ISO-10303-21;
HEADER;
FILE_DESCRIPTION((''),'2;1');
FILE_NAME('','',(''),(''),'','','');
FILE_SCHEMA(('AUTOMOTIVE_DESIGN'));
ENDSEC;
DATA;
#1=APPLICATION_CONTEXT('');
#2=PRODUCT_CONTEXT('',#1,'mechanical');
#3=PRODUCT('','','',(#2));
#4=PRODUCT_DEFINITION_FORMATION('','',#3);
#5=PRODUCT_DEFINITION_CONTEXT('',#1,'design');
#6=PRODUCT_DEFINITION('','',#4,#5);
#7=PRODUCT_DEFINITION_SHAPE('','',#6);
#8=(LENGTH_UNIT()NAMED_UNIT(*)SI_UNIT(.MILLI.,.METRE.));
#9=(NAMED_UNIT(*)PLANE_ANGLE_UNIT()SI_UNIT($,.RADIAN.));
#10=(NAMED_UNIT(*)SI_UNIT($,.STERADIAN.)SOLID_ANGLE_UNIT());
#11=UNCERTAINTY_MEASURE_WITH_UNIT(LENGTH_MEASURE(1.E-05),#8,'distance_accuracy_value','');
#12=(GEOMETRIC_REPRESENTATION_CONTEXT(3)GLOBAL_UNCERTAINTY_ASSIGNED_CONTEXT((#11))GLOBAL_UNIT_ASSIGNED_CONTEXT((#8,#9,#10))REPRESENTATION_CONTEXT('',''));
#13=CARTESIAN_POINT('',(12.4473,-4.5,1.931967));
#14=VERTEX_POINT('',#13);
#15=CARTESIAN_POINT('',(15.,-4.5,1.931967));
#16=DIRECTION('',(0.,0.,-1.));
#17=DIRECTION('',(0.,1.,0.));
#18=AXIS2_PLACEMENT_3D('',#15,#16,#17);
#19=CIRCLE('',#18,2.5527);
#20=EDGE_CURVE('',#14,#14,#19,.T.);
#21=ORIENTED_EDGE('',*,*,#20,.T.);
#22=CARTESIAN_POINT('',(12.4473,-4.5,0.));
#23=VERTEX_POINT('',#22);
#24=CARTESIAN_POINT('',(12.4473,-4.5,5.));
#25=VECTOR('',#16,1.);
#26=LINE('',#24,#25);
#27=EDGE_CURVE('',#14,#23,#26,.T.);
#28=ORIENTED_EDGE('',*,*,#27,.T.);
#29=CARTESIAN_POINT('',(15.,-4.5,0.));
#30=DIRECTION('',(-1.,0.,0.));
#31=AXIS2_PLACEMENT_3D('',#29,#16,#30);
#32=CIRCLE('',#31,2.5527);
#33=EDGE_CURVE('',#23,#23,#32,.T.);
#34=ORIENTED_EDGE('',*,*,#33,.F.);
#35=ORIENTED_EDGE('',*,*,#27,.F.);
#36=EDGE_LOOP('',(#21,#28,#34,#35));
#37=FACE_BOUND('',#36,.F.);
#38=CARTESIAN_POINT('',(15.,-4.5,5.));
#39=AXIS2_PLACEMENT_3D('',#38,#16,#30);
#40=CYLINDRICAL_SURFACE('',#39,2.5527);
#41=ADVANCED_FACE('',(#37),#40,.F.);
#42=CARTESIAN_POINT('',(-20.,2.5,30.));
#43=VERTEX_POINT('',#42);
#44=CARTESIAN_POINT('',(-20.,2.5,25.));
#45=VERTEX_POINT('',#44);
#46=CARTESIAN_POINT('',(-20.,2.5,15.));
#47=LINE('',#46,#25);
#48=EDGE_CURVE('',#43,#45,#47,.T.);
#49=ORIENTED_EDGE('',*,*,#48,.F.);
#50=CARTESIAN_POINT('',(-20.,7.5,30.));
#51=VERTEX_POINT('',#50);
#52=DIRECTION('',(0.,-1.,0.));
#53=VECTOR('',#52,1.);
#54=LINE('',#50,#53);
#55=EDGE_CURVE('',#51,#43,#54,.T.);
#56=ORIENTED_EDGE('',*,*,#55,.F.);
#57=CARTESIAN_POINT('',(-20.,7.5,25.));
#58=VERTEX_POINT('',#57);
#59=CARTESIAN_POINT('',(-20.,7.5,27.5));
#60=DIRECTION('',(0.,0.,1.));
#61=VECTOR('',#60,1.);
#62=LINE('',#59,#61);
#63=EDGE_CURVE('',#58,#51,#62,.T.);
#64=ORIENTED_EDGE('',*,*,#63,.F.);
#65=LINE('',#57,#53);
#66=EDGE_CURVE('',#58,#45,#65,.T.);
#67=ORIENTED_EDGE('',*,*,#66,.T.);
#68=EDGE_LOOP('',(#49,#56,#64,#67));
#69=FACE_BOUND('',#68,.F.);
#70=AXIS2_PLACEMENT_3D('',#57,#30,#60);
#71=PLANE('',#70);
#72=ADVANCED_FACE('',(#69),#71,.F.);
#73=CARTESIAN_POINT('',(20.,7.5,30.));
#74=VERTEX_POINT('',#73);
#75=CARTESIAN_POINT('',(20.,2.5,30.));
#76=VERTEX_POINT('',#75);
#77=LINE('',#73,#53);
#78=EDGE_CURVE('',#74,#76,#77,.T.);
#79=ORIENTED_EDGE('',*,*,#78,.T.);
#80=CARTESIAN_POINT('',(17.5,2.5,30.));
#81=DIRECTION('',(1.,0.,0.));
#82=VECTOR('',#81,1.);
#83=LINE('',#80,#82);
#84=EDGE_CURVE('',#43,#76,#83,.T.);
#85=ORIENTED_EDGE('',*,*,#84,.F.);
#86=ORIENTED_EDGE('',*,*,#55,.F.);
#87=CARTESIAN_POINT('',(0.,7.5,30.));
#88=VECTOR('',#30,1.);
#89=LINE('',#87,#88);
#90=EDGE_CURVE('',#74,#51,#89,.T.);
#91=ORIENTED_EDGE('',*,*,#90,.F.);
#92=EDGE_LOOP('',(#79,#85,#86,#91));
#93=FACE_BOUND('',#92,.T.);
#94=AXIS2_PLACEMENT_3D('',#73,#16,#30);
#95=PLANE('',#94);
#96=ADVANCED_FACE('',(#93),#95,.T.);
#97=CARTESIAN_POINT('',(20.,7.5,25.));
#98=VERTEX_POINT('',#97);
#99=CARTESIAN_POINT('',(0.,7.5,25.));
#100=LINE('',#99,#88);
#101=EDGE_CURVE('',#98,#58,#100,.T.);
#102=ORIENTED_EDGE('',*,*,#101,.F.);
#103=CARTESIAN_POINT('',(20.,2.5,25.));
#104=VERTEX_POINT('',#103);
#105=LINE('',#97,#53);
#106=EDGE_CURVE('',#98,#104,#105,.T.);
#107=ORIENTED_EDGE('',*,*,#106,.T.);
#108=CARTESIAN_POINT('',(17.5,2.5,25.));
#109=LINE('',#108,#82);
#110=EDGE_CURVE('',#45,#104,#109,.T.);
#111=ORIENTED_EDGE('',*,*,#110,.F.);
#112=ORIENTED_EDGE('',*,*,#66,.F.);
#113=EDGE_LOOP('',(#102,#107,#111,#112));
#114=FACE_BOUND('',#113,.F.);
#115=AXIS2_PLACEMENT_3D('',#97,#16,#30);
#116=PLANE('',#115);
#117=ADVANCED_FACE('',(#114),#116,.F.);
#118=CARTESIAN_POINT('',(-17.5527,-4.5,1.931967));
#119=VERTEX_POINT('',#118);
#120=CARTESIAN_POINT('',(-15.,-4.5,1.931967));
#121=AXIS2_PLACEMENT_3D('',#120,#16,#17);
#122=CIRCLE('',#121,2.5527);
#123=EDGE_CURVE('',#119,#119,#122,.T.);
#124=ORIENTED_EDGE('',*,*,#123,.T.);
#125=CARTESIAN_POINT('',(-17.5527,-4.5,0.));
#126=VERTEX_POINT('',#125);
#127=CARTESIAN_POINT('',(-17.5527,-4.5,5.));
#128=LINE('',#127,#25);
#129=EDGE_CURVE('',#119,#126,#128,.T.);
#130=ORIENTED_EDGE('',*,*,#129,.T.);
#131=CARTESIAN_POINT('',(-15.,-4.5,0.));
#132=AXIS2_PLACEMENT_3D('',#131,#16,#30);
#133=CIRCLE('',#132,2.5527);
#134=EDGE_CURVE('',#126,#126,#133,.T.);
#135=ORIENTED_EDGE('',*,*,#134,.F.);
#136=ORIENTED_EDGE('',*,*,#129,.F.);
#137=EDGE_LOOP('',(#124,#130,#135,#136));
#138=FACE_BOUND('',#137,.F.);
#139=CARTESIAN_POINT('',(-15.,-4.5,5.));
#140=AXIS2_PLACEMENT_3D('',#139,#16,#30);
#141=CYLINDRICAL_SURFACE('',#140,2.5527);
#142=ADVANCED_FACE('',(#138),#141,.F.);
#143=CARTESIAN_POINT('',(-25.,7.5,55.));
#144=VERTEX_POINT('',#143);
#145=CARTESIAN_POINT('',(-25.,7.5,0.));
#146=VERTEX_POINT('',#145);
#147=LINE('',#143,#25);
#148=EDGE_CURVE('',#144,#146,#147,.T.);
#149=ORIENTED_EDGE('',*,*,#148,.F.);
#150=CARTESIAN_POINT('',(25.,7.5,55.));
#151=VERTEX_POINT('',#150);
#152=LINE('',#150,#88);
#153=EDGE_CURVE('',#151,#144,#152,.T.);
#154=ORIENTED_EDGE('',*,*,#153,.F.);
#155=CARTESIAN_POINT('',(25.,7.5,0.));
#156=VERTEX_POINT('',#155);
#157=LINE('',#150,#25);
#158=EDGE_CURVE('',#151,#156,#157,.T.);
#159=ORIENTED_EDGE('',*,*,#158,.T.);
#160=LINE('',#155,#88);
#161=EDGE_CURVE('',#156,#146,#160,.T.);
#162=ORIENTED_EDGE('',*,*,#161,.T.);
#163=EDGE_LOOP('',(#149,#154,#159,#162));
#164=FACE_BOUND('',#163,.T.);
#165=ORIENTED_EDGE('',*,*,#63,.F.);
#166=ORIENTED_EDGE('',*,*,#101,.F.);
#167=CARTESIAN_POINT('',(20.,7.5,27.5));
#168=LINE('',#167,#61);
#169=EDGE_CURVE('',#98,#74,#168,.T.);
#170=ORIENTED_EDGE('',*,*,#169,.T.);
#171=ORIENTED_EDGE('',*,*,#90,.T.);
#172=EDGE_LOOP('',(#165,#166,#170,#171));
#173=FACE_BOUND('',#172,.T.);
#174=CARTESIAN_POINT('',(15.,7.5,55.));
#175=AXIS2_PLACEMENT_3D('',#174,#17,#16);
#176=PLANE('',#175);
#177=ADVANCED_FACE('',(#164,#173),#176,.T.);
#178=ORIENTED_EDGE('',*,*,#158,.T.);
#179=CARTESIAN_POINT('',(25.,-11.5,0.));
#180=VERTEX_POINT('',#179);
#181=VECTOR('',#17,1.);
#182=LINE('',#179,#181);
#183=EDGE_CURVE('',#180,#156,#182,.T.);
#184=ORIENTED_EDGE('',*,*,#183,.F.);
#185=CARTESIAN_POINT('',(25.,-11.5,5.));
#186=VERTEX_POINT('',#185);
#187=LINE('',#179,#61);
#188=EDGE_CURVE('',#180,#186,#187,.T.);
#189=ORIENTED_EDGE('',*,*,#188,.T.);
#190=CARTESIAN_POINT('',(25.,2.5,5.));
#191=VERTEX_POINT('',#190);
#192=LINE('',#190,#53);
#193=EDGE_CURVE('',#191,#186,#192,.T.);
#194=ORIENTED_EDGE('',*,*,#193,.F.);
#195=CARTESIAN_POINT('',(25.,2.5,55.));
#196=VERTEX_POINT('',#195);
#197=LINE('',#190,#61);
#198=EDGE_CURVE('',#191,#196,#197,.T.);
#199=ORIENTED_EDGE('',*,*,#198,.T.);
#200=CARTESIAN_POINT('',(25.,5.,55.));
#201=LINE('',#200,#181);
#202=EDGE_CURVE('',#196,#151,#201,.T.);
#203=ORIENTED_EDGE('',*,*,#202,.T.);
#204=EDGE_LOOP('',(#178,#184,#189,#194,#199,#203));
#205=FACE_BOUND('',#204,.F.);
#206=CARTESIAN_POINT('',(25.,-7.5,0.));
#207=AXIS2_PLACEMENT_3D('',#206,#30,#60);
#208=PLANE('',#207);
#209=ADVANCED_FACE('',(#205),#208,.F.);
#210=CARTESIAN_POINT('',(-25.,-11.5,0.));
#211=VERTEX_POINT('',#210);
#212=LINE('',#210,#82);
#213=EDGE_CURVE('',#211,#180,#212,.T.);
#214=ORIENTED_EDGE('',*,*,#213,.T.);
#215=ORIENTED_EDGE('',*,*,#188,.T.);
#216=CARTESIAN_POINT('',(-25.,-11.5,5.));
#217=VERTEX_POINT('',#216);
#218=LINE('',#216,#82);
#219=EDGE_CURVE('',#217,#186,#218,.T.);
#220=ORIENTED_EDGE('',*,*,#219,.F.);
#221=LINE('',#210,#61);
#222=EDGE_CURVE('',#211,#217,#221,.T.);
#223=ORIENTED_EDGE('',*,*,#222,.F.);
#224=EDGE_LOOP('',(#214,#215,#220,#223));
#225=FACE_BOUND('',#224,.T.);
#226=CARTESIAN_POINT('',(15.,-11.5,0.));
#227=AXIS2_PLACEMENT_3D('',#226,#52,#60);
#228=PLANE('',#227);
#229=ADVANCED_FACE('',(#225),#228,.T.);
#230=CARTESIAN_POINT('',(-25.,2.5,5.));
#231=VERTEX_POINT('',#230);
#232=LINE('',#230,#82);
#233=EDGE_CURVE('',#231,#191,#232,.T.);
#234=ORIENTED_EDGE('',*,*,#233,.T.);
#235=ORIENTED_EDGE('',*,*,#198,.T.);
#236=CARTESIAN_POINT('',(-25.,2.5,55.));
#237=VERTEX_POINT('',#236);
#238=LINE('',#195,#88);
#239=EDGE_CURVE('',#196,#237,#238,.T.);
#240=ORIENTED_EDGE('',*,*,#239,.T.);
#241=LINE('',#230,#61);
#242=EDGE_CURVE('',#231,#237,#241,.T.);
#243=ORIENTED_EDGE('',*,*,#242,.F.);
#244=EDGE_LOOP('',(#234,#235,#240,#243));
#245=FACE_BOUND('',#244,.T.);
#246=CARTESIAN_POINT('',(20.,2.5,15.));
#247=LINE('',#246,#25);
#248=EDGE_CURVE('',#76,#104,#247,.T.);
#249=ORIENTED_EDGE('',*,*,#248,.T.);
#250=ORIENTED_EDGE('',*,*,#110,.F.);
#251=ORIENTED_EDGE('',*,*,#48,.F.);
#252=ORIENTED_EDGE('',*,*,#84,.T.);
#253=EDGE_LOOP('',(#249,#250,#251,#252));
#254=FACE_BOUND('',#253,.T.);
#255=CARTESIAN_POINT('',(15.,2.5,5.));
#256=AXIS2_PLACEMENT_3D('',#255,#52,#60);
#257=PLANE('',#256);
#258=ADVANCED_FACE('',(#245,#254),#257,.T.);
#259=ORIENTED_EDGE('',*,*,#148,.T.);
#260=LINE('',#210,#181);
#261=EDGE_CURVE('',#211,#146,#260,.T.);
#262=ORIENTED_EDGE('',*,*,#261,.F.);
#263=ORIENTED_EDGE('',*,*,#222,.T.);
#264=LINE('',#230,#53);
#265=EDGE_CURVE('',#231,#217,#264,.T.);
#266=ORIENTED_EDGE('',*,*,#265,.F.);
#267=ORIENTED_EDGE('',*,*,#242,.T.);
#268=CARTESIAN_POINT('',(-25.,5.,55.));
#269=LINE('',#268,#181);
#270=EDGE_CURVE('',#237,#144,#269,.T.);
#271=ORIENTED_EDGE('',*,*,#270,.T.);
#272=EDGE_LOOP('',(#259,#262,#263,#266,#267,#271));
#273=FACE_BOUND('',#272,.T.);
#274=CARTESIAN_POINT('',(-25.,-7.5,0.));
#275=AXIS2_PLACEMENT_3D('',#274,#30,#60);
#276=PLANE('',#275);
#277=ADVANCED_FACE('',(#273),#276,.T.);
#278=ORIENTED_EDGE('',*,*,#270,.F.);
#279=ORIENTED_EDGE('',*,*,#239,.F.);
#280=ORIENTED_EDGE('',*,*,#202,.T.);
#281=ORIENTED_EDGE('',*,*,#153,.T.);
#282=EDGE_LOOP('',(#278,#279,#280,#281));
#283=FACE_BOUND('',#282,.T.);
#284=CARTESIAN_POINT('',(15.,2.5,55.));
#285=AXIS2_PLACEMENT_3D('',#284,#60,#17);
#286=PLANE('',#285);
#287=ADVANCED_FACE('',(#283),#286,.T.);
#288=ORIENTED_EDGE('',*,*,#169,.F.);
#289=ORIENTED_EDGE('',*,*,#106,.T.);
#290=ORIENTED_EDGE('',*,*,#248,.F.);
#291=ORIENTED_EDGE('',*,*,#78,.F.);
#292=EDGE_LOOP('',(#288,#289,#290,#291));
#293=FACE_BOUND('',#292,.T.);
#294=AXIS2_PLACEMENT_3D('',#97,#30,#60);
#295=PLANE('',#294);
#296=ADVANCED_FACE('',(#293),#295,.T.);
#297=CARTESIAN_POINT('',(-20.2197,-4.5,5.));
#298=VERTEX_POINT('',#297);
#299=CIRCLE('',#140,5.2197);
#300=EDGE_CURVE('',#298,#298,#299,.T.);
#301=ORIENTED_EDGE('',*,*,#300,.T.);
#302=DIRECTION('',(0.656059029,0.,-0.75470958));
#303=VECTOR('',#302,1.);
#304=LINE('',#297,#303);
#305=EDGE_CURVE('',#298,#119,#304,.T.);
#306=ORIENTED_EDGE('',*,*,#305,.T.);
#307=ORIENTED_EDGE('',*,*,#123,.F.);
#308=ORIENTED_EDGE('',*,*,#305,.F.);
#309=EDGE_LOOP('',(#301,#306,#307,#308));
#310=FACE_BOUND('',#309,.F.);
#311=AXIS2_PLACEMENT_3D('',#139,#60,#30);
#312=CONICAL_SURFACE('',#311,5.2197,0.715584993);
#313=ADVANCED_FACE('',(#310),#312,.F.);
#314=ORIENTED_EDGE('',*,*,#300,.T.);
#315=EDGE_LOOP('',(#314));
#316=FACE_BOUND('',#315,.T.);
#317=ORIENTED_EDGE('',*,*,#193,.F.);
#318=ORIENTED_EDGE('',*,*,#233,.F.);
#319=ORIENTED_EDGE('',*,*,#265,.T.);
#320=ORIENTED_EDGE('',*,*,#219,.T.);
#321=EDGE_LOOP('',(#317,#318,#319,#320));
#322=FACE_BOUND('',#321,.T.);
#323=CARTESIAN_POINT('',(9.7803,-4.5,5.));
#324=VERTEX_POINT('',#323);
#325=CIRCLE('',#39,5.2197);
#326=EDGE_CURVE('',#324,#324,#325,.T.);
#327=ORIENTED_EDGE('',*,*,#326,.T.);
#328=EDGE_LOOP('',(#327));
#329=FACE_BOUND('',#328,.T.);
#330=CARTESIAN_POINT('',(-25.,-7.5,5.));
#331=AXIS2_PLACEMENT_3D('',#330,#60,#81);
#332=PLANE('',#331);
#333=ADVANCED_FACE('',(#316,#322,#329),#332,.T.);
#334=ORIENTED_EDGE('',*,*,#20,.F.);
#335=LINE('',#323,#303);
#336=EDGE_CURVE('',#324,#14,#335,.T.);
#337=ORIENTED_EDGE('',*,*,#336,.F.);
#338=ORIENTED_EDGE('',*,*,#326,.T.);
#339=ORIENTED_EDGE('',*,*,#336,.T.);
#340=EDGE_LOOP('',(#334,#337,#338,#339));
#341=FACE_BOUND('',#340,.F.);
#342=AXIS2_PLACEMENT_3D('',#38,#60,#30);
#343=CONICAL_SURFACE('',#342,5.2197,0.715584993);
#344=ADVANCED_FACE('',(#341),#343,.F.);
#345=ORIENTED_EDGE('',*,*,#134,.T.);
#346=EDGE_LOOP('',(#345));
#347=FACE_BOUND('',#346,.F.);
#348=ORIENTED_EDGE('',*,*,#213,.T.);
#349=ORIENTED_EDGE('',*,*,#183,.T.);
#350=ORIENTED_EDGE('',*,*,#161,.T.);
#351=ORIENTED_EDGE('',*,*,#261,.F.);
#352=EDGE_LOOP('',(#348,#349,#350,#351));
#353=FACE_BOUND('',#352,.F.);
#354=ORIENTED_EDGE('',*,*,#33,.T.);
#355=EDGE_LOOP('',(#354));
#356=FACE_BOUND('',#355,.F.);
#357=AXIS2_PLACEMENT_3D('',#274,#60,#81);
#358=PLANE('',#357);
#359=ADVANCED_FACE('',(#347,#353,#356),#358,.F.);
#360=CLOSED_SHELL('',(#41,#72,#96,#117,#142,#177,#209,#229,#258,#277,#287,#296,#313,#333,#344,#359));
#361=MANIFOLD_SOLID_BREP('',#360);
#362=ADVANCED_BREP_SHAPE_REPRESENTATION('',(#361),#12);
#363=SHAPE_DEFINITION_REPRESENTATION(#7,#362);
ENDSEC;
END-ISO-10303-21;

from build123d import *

# Parameters (mm, degrees)
F0_W           = 30
F0_H           = 15
F1_DEPTH       = 5
F2_W           = 30
F2_H           = 5
F3_DEPTH       = 50
F4_DEPTH       = 10
F5_DEPTH       = 10
F6_DEPTH       = 4
F8_D           = 5.1054
F8_DEPTH       = 10
F8_CSINK_D     = 10.4394
F8_CSINK_ANGLE = 82
F8_TIP         = 1.5338169022
F9_W           = 40
F9_H           = 5
F10_DEPTH      = 19.001


with BuildPart() as f1:
    # F0 (on Top) → F1 (new body)
    with BuildSketch(Plane.XY):
        Rectangle(F0_W, F0_H)
    extrude(amount=F1_DEPTH)

    # F2 (on face) → F3 (join)
    with BuildSketch(Plane.XY.offset(5)):
        with Locations((0, 5)):
            Rectangle(F2_W, F2_H)
    extrude(amount=F3_DEPTH)

    # F4 (add): a face of the model
    f4_faces = [f1.faces().sort_by_distance(p)[0] for p in [
        (-15, 3.8461538462, 23.6538461538),
    ]]
    extrude(f4_faces, amount=F4_DEPTH)

    # F5 (add): a face of the model
    f5_faces = [f1.faces().sort_by_distance(p)[0] for p in [
        (15, 3.8461538462, 23.6538461538),
    ]]
    extrude(f5_faces, amount=F5_DEPTH)

    # F6 (add): a face of the model
    f6_faces = [f1.faces().sort_by_distance(p)[0] for p in [
        (0, -7.5, 2.5),
    ]]
    extrude(f6_faces, amount=F6_DEPTH)

    # F8
    with Locations(Plane.XY.offset(5)):
        with Locations((15, -4.5), (-15, -4.5)):
            CounterSinkHole(F8_D / 2, F8_CSINK_D / 2, depth=F8_DEPTH, counter_sink_angle=F8_CSINK_ANGLE)
            with Locations((0, 0, -(F8_DEPTH + F8_TIP / 2))):  # 118° drill point
                Cone(0, F8_D / 2, F8_TIP, mode=Mode.SUBTRACT)

    # F9 (on face) → F10 (cut, through all)
    with BuildSketch(Plane(origin=(0, 7.5, 0), x_dir=(-1, 0, 0), z_dir=(0, 1, 0))):
        with Locations((0, 27.5)):
            Rectangle(F9_W, F9_H)
    extrude(amount=-F10_DEPTH, mode=Mode.SUBTRACT)


solid = f1.part
